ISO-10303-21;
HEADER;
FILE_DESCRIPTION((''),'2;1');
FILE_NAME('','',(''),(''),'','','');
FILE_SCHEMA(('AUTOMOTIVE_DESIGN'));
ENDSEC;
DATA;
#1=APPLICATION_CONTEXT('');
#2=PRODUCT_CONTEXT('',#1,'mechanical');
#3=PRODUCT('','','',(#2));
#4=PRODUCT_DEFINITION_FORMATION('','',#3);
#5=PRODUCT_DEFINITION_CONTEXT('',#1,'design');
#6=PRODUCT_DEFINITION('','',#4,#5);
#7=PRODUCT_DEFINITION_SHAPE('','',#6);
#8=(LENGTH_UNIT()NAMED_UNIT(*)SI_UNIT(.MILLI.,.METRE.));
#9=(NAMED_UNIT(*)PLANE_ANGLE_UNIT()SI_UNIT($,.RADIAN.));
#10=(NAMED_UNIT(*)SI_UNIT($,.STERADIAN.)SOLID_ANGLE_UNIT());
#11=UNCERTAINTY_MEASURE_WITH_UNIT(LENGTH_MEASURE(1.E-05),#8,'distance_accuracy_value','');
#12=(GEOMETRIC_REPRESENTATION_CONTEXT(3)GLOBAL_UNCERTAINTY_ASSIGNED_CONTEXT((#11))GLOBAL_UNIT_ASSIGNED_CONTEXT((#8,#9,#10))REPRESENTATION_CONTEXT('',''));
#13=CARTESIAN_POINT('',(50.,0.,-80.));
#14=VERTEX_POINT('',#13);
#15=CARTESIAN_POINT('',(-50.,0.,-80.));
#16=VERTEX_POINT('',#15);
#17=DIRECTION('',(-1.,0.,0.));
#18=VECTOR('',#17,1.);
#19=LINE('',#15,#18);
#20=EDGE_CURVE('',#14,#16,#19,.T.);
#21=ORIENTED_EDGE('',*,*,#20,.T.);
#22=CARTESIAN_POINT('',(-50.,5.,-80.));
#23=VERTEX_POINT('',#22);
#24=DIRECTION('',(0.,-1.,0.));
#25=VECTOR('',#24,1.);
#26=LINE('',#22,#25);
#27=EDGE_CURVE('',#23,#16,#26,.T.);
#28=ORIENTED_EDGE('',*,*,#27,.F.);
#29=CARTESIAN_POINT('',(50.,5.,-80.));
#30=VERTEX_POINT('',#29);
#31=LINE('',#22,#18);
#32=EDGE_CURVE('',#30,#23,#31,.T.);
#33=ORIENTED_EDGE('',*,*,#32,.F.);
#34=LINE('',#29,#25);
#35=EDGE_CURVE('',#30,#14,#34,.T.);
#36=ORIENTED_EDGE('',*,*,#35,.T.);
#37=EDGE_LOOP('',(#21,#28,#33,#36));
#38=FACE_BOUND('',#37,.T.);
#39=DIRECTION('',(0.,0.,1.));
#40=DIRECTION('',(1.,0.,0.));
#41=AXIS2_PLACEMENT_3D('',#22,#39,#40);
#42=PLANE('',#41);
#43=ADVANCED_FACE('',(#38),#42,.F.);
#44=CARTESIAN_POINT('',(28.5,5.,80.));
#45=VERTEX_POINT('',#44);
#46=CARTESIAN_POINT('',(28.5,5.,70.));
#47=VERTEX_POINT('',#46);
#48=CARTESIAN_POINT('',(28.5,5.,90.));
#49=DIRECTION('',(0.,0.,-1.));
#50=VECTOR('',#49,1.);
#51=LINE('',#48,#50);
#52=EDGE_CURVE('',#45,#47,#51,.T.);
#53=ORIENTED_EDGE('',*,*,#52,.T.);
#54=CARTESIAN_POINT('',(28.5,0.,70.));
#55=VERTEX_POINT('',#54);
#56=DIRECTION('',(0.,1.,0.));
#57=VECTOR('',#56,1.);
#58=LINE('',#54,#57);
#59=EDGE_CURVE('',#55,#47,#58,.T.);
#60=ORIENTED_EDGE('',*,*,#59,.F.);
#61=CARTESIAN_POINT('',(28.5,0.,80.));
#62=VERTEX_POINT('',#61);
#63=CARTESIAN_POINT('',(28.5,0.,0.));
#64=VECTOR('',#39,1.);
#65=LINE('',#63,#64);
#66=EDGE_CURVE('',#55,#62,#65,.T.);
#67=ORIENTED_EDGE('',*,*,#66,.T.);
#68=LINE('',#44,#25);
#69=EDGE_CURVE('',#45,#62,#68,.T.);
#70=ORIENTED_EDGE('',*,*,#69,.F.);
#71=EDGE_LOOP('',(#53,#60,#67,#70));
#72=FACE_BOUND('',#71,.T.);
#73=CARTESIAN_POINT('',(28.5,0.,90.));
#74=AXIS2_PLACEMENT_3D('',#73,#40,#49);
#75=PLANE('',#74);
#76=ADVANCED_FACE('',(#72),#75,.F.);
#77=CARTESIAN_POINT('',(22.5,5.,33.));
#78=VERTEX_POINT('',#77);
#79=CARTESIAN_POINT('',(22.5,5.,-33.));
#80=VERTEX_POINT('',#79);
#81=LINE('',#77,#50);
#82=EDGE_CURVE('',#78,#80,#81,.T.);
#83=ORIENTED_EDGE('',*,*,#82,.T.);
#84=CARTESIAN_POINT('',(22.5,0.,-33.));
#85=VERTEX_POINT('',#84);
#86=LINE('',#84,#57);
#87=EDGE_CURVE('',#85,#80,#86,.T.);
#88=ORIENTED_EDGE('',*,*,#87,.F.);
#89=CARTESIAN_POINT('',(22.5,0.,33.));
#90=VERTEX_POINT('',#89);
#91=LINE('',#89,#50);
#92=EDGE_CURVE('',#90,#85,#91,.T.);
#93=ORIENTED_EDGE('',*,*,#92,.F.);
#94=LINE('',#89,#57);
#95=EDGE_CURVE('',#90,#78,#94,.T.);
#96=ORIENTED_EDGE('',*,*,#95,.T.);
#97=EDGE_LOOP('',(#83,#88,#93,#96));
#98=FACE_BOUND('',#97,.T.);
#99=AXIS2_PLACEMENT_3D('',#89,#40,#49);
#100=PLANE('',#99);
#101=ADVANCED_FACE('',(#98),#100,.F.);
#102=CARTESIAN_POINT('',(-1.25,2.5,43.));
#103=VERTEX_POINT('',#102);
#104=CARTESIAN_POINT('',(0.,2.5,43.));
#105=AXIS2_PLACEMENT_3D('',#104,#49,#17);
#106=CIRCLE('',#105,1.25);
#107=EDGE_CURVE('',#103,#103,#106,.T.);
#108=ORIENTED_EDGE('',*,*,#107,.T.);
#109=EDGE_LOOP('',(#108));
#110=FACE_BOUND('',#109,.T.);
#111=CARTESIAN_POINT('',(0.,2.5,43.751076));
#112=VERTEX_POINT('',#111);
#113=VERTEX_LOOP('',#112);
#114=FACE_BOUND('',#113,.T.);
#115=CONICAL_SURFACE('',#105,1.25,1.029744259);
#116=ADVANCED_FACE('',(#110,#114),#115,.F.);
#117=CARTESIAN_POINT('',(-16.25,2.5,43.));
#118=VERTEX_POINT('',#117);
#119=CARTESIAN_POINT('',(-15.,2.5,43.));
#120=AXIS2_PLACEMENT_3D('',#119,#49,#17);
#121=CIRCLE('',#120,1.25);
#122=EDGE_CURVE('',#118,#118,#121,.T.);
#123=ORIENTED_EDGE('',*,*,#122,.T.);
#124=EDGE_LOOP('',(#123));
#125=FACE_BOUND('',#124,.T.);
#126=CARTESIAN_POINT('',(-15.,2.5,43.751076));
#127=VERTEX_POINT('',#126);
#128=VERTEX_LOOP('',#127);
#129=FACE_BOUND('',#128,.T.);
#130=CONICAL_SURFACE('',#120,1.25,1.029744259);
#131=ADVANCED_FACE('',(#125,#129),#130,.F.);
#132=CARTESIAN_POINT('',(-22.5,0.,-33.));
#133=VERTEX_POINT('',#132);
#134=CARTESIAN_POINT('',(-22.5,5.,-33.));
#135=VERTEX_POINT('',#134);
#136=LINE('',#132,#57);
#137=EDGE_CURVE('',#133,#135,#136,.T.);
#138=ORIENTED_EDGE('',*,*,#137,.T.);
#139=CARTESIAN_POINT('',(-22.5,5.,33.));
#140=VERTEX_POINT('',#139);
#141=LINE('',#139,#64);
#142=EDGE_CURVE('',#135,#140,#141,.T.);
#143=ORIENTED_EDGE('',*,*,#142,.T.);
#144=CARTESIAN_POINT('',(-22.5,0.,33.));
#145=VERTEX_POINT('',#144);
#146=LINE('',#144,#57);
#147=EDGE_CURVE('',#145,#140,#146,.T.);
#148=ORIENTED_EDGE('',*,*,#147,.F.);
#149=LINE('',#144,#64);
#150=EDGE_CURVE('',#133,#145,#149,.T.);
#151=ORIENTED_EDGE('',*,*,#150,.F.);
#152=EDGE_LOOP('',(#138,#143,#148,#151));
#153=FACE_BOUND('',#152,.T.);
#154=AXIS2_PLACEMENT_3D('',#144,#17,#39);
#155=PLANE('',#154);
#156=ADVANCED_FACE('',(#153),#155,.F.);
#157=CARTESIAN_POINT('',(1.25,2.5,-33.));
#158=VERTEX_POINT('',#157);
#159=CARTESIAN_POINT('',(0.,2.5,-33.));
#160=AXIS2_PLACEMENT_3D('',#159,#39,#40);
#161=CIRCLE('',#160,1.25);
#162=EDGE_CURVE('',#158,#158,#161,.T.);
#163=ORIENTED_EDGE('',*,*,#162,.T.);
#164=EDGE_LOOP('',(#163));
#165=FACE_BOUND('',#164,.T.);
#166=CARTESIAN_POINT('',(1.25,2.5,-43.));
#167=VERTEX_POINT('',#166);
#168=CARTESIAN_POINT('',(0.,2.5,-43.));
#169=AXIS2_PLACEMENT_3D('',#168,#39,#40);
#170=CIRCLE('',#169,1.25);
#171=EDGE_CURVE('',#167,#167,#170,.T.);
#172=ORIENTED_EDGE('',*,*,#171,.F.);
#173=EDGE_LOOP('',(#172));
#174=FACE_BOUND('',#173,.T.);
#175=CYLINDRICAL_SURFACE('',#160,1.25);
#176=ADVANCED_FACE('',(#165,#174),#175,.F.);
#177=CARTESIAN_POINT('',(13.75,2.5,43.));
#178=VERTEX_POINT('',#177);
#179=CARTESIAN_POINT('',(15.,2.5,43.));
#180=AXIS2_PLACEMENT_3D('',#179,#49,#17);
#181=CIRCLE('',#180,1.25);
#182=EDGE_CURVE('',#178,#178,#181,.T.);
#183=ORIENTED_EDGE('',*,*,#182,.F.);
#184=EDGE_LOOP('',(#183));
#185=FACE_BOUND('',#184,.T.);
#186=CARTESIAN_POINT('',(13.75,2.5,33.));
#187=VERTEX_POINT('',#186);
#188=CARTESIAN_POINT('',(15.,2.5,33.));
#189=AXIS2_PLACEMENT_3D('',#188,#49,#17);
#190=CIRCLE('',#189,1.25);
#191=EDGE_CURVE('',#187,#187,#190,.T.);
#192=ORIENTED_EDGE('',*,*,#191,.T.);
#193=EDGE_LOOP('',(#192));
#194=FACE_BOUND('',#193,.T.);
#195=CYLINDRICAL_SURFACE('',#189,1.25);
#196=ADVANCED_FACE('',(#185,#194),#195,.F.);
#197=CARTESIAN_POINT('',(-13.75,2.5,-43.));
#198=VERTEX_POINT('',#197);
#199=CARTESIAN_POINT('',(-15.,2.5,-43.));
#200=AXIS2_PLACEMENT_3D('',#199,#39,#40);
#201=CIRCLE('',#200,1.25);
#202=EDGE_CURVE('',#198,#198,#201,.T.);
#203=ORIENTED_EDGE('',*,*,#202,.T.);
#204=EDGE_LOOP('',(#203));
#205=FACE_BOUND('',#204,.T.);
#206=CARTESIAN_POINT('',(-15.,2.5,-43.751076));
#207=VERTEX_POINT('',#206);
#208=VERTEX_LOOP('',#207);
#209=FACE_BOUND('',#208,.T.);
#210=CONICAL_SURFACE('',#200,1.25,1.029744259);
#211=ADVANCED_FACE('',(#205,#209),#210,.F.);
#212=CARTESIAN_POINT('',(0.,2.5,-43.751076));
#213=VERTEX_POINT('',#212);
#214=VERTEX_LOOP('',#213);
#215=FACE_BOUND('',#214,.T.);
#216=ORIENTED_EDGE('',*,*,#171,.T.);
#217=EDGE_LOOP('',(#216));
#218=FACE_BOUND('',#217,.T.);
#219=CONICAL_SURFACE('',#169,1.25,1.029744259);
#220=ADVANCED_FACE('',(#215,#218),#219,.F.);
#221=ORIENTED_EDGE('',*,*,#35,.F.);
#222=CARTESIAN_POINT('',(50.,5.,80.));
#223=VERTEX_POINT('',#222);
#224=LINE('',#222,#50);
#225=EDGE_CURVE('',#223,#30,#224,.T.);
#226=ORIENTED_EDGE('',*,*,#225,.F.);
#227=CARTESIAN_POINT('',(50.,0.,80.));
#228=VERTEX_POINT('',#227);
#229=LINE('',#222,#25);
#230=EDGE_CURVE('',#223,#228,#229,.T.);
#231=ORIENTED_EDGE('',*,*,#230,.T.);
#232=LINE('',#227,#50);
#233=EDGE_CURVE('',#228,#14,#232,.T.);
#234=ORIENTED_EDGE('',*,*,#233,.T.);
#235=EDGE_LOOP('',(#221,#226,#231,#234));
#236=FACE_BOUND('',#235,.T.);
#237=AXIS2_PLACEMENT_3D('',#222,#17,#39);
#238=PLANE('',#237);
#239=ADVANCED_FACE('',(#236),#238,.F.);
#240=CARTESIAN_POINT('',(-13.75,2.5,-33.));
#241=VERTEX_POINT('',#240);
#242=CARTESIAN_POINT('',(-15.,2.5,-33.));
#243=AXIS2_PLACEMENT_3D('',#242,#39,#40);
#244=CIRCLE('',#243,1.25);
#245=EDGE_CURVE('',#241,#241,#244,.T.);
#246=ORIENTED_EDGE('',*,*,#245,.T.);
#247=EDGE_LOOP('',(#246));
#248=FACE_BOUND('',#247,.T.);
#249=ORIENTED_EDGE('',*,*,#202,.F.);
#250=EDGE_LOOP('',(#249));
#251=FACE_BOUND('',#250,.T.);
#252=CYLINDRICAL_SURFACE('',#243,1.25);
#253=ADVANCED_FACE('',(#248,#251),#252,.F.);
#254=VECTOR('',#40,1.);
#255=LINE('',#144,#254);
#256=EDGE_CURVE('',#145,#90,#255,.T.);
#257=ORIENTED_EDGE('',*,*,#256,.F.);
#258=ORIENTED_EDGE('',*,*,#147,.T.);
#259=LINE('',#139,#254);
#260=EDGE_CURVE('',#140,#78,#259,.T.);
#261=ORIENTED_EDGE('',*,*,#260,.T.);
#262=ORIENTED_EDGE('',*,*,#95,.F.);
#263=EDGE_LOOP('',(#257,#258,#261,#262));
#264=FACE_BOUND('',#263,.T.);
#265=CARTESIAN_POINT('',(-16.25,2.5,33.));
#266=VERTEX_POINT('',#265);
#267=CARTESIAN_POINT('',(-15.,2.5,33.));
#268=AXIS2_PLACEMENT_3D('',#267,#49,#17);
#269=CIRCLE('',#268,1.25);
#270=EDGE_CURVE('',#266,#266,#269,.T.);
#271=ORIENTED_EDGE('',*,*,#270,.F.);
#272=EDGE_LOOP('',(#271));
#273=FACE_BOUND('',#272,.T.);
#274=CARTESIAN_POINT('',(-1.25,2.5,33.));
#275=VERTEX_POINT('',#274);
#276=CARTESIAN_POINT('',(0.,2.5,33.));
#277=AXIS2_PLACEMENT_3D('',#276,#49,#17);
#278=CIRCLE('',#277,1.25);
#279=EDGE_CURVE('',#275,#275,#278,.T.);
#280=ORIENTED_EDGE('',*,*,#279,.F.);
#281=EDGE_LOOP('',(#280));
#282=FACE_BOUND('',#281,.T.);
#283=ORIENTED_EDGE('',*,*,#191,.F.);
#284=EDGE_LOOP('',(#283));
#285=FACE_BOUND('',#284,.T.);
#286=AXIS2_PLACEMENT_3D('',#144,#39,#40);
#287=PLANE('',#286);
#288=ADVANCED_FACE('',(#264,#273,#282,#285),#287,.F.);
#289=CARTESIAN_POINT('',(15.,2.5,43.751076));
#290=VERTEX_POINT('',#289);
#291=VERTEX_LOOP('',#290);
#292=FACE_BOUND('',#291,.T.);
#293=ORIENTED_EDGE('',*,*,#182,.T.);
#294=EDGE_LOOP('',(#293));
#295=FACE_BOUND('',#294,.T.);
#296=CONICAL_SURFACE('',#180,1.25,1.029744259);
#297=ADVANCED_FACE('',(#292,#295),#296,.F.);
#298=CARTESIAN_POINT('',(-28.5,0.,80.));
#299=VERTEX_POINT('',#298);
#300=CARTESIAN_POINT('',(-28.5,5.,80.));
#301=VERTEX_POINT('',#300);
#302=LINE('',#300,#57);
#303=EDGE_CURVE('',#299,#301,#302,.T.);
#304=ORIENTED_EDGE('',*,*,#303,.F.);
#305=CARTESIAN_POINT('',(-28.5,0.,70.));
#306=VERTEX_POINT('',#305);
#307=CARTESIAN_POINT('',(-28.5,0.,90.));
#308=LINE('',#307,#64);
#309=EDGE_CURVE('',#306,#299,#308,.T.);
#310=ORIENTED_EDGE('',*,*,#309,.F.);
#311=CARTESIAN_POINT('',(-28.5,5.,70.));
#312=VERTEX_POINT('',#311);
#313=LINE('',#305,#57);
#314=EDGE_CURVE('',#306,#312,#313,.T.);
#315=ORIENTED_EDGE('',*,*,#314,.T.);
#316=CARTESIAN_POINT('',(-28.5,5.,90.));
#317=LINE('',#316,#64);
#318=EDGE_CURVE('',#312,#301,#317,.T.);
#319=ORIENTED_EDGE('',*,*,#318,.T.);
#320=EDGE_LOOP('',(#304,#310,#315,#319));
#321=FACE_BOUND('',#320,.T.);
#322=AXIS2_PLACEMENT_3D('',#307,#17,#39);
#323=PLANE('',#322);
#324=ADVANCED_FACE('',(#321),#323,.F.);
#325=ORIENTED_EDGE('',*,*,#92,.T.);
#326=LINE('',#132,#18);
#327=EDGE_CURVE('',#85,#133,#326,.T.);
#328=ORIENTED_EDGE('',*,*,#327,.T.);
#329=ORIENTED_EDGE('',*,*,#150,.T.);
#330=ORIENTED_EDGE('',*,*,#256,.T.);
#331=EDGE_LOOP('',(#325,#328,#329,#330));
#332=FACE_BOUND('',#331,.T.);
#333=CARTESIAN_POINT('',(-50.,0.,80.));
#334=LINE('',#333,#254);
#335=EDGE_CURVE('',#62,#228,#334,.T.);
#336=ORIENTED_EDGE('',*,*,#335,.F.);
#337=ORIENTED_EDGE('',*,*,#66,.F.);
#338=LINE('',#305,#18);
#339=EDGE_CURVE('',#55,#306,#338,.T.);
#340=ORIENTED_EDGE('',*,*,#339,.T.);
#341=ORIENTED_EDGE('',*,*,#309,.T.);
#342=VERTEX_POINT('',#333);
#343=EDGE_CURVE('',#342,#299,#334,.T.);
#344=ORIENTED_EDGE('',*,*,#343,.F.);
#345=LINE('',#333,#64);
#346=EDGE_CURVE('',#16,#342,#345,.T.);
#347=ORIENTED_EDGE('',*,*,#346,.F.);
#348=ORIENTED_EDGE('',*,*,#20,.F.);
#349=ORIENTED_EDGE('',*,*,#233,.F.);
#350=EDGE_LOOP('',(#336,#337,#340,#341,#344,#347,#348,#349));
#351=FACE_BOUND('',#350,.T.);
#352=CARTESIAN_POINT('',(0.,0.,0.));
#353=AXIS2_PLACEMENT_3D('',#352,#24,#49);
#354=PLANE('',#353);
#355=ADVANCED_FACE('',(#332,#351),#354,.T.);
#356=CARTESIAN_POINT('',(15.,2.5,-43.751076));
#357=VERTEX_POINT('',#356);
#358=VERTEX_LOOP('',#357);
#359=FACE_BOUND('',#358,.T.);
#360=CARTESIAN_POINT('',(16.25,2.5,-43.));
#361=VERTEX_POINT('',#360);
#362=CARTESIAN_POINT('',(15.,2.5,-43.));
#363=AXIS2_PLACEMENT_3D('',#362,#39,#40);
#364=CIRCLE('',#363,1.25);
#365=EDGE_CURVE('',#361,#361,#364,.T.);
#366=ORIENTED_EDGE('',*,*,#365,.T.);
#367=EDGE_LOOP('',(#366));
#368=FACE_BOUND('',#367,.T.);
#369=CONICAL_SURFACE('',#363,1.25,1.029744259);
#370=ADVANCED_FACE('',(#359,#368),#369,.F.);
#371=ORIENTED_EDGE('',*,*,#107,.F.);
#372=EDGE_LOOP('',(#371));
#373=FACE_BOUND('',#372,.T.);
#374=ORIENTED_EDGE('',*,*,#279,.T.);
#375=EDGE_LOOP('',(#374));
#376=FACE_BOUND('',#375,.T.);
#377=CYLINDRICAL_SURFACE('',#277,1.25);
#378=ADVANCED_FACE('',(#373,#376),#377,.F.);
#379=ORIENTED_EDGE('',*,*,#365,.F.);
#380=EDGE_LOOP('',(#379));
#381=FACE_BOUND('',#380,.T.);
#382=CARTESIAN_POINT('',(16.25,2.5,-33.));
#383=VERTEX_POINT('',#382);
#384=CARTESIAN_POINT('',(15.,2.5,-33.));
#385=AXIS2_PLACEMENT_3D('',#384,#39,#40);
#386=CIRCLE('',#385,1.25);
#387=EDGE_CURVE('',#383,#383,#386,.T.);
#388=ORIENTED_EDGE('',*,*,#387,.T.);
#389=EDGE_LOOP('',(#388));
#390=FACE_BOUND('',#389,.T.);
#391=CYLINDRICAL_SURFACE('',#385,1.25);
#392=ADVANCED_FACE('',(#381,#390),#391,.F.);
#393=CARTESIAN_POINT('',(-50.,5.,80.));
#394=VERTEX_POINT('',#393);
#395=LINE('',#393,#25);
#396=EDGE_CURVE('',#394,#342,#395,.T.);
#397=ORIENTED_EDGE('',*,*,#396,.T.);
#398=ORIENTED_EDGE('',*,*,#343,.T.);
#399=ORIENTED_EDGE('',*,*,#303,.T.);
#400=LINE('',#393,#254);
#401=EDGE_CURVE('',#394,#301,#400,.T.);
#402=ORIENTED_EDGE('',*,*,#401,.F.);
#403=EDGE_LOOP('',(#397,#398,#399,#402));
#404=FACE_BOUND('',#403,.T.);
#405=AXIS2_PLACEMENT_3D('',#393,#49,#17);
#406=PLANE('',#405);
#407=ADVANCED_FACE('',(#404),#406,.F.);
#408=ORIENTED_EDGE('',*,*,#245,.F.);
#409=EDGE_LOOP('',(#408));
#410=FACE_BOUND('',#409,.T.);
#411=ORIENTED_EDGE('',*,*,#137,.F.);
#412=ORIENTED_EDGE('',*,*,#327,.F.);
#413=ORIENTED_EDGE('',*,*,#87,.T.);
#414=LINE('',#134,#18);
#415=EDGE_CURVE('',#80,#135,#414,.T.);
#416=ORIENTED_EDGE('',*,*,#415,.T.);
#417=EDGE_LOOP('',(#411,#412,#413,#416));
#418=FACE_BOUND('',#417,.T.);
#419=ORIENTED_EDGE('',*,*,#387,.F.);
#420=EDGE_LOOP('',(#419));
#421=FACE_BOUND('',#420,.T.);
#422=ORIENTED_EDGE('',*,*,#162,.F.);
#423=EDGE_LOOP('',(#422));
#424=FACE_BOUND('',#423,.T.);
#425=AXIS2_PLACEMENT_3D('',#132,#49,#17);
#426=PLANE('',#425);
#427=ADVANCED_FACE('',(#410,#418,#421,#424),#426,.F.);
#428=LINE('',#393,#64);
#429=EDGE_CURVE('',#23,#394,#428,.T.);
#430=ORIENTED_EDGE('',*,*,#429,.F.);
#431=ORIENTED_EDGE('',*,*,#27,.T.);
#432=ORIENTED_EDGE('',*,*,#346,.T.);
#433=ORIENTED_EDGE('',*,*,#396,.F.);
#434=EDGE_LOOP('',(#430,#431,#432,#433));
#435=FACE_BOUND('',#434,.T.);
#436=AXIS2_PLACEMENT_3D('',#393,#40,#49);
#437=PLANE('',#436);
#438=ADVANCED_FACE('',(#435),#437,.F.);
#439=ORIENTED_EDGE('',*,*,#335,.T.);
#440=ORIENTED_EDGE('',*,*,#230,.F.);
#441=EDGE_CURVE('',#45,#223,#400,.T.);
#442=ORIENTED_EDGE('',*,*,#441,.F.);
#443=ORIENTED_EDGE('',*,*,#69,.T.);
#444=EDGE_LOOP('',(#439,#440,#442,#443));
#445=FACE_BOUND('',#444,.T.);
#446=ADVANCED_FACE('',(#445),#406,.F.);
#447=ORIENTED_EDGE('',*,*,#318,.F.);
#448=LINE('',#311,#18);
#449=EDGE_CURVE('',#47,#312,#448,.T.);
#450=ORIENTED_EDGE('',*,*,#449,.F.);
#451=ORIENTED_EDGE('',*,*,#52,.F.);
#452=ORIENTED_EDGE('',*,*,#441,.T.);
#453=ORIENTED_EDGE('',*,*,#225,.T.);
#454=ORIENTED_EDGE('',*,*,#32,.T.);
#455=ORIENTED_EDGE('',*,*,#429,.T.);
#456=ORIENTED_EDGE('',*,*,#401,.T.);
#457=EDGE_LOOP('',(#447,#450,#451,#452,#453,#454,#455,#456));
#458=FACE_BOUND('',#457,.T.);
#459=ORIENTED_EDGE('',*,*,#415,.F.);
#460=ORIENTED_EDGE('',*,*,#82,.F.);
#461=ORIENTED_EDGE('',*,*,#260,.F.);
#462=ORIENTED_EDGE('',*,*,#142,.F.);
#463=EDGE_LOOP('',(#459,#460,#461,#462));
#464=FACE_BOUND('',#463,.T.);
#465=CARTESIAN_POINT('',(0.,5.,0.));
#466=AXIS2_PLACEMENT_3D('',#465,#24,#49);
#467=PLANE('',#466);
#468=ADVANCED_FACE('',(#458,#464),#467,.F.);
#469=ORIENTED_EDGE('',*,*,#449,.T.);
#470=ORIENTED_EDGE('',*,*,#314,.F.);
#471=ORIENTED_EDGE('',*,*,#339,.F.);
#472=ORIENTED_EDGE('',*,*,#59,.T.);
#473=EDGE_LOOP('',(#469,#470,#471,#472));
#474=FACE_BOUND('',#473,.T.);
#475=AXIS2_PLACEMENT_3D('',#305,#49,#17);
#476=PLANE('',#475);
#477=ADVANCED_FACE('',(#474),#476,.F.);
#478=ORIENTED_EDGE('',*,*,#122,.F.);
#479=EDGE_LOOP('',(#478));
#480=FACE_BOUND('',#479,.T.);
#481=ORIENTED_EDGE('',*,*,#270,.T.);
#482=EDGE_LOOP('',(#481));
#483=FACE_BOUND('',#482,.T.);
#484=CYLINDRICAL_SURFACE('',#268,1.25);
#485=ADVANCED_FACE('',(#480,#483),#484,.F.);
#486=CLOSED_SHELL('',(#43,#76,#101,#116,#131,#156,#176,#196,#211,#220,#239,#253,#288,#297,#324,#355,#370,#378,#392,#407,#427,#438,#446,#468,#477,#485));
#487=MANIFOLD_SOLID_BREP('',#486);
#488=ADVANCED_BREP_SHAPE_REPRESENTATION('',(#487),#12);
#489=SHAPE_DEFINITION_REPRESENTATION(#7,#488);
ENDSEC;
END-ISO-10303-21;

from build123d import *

# Parameters (mm, degrees)
SKETCH1_W                 = 100
SKETCH1_H                 = 160
BOSS_EXTRUDE1_DEPTH       = 5
SKETCH2_W                 = 45
SKETCH2_H                 = 66
CUT_EXTRUDE1_DEPTH        = 95.472218138
F_2_5MM_DOWEL_HOLE1_D     = 2.5
F_2_5MM_DOWEL_HOLE1_DEPTH = 10
F_2_5MM_DOWEL_HOLE1_TIP   = 0.751075774
F_2_5MM_DOWEL_HOLE2_D     = 2.5
F_2_5MM_DOWEL_HOLE2_DEPTH = 10
F_2_5MM_DOWEL_HOLE2_TIP   = 0.751075774
SKETCH8_W                 = 57
SKETCH8_H                 = 20
CUT_EXTRUDE2_DEPTH        = 95.472218138


with BuildPart() as part:
    # Sketch1 → Boss-Extrude1 (new body)
    with BuildSketch(Plane(origin=(0, 0, 0), x_dir=(1, 0, 0), z_dir=(0, 1, 0))):
        Rectangle(SKETCH1_W, SKETCH1_H)
    extrude(amount=BOSS_EXTRUDE1_DEPTH)

    # Sketch2 → Cut-Extrude1 (cut, through all)
    with BuildSketch(Plane(origin=(0, 5, 0), x_dir=(1, 0, 0), z_dir=(0, 1, 0))):
        Rectangle(SKETCH2_W, SKETCH2_H)
    extrude(amount=-CUT_EXTRUDE1_DEPTH, mode=Mode.SUBTRACT)

    # Ø2.5mm Dowel Hole1
    with Locations(Plane.XY.offset(-33)):
        with Locations((0, 2.5), (15, 2.5), (-15, 2.5)):
            Hole(F_2_5MM_DOWEL_HOLE1_D / 2, depth=F_2_5MM_DOWEL_HOLE1_DEPTH)
            with Locations((0, 0, -(F_2_5MM_DOWEL_HOLE1_DEPTH + F_2_5MM_DOWEL_HOLE1_TIP / 2))):  # 118° drill point
                Cone(0, F_2_5MM_DOWEL_HOLE1_D / 2, F_2_5MM_DOWEL_HOLE1_TIP, mode=Mode.SUBTRACT)

    # Ø2.5mm Dowel Hole2
    with Locations(Plane(origin=(0, 0, 33), x_dir=(-1, 0, 0), z_dir=(0, 0, -1))):
        with Locations((0, 2.5), (15, 2.5), (-15, 2.5)):
            Hole(F_2_5MM_DOWEL_HOLE2_D / 2, depth=F_2_5MM_DOWEL_HOLE2_DEPTH)
            with Locations((0, 0, -(F_2_5MM_DOWEL_HOLE2_DEPTH + F_2_5MM_DOWEL_HOLE2_TIP / 2))):  # 118° drill point
                Cone(0, F_2_5MM_DOWEL_HOLE2_D / 2, F_2_5MM_DOWEL_HOLE2_TIP, mode=Mode.SUBTRACT)

    # Sketch8 → Cut-Extrude2 (cut, through all)
    with BuildSketch(Plane(origin=(0, 5, 0), x_dir=(1, 0, 0), z_dir=(0, 1, 0))):
        with Locations((0, -80)):
            Rectangle(SKETCH8_W, SKETCH8_H)
    extrude(amount=-CUT_EXTRUDE2_DEPTH, mode=Mode.SUBTRACT)


solid = part.part
